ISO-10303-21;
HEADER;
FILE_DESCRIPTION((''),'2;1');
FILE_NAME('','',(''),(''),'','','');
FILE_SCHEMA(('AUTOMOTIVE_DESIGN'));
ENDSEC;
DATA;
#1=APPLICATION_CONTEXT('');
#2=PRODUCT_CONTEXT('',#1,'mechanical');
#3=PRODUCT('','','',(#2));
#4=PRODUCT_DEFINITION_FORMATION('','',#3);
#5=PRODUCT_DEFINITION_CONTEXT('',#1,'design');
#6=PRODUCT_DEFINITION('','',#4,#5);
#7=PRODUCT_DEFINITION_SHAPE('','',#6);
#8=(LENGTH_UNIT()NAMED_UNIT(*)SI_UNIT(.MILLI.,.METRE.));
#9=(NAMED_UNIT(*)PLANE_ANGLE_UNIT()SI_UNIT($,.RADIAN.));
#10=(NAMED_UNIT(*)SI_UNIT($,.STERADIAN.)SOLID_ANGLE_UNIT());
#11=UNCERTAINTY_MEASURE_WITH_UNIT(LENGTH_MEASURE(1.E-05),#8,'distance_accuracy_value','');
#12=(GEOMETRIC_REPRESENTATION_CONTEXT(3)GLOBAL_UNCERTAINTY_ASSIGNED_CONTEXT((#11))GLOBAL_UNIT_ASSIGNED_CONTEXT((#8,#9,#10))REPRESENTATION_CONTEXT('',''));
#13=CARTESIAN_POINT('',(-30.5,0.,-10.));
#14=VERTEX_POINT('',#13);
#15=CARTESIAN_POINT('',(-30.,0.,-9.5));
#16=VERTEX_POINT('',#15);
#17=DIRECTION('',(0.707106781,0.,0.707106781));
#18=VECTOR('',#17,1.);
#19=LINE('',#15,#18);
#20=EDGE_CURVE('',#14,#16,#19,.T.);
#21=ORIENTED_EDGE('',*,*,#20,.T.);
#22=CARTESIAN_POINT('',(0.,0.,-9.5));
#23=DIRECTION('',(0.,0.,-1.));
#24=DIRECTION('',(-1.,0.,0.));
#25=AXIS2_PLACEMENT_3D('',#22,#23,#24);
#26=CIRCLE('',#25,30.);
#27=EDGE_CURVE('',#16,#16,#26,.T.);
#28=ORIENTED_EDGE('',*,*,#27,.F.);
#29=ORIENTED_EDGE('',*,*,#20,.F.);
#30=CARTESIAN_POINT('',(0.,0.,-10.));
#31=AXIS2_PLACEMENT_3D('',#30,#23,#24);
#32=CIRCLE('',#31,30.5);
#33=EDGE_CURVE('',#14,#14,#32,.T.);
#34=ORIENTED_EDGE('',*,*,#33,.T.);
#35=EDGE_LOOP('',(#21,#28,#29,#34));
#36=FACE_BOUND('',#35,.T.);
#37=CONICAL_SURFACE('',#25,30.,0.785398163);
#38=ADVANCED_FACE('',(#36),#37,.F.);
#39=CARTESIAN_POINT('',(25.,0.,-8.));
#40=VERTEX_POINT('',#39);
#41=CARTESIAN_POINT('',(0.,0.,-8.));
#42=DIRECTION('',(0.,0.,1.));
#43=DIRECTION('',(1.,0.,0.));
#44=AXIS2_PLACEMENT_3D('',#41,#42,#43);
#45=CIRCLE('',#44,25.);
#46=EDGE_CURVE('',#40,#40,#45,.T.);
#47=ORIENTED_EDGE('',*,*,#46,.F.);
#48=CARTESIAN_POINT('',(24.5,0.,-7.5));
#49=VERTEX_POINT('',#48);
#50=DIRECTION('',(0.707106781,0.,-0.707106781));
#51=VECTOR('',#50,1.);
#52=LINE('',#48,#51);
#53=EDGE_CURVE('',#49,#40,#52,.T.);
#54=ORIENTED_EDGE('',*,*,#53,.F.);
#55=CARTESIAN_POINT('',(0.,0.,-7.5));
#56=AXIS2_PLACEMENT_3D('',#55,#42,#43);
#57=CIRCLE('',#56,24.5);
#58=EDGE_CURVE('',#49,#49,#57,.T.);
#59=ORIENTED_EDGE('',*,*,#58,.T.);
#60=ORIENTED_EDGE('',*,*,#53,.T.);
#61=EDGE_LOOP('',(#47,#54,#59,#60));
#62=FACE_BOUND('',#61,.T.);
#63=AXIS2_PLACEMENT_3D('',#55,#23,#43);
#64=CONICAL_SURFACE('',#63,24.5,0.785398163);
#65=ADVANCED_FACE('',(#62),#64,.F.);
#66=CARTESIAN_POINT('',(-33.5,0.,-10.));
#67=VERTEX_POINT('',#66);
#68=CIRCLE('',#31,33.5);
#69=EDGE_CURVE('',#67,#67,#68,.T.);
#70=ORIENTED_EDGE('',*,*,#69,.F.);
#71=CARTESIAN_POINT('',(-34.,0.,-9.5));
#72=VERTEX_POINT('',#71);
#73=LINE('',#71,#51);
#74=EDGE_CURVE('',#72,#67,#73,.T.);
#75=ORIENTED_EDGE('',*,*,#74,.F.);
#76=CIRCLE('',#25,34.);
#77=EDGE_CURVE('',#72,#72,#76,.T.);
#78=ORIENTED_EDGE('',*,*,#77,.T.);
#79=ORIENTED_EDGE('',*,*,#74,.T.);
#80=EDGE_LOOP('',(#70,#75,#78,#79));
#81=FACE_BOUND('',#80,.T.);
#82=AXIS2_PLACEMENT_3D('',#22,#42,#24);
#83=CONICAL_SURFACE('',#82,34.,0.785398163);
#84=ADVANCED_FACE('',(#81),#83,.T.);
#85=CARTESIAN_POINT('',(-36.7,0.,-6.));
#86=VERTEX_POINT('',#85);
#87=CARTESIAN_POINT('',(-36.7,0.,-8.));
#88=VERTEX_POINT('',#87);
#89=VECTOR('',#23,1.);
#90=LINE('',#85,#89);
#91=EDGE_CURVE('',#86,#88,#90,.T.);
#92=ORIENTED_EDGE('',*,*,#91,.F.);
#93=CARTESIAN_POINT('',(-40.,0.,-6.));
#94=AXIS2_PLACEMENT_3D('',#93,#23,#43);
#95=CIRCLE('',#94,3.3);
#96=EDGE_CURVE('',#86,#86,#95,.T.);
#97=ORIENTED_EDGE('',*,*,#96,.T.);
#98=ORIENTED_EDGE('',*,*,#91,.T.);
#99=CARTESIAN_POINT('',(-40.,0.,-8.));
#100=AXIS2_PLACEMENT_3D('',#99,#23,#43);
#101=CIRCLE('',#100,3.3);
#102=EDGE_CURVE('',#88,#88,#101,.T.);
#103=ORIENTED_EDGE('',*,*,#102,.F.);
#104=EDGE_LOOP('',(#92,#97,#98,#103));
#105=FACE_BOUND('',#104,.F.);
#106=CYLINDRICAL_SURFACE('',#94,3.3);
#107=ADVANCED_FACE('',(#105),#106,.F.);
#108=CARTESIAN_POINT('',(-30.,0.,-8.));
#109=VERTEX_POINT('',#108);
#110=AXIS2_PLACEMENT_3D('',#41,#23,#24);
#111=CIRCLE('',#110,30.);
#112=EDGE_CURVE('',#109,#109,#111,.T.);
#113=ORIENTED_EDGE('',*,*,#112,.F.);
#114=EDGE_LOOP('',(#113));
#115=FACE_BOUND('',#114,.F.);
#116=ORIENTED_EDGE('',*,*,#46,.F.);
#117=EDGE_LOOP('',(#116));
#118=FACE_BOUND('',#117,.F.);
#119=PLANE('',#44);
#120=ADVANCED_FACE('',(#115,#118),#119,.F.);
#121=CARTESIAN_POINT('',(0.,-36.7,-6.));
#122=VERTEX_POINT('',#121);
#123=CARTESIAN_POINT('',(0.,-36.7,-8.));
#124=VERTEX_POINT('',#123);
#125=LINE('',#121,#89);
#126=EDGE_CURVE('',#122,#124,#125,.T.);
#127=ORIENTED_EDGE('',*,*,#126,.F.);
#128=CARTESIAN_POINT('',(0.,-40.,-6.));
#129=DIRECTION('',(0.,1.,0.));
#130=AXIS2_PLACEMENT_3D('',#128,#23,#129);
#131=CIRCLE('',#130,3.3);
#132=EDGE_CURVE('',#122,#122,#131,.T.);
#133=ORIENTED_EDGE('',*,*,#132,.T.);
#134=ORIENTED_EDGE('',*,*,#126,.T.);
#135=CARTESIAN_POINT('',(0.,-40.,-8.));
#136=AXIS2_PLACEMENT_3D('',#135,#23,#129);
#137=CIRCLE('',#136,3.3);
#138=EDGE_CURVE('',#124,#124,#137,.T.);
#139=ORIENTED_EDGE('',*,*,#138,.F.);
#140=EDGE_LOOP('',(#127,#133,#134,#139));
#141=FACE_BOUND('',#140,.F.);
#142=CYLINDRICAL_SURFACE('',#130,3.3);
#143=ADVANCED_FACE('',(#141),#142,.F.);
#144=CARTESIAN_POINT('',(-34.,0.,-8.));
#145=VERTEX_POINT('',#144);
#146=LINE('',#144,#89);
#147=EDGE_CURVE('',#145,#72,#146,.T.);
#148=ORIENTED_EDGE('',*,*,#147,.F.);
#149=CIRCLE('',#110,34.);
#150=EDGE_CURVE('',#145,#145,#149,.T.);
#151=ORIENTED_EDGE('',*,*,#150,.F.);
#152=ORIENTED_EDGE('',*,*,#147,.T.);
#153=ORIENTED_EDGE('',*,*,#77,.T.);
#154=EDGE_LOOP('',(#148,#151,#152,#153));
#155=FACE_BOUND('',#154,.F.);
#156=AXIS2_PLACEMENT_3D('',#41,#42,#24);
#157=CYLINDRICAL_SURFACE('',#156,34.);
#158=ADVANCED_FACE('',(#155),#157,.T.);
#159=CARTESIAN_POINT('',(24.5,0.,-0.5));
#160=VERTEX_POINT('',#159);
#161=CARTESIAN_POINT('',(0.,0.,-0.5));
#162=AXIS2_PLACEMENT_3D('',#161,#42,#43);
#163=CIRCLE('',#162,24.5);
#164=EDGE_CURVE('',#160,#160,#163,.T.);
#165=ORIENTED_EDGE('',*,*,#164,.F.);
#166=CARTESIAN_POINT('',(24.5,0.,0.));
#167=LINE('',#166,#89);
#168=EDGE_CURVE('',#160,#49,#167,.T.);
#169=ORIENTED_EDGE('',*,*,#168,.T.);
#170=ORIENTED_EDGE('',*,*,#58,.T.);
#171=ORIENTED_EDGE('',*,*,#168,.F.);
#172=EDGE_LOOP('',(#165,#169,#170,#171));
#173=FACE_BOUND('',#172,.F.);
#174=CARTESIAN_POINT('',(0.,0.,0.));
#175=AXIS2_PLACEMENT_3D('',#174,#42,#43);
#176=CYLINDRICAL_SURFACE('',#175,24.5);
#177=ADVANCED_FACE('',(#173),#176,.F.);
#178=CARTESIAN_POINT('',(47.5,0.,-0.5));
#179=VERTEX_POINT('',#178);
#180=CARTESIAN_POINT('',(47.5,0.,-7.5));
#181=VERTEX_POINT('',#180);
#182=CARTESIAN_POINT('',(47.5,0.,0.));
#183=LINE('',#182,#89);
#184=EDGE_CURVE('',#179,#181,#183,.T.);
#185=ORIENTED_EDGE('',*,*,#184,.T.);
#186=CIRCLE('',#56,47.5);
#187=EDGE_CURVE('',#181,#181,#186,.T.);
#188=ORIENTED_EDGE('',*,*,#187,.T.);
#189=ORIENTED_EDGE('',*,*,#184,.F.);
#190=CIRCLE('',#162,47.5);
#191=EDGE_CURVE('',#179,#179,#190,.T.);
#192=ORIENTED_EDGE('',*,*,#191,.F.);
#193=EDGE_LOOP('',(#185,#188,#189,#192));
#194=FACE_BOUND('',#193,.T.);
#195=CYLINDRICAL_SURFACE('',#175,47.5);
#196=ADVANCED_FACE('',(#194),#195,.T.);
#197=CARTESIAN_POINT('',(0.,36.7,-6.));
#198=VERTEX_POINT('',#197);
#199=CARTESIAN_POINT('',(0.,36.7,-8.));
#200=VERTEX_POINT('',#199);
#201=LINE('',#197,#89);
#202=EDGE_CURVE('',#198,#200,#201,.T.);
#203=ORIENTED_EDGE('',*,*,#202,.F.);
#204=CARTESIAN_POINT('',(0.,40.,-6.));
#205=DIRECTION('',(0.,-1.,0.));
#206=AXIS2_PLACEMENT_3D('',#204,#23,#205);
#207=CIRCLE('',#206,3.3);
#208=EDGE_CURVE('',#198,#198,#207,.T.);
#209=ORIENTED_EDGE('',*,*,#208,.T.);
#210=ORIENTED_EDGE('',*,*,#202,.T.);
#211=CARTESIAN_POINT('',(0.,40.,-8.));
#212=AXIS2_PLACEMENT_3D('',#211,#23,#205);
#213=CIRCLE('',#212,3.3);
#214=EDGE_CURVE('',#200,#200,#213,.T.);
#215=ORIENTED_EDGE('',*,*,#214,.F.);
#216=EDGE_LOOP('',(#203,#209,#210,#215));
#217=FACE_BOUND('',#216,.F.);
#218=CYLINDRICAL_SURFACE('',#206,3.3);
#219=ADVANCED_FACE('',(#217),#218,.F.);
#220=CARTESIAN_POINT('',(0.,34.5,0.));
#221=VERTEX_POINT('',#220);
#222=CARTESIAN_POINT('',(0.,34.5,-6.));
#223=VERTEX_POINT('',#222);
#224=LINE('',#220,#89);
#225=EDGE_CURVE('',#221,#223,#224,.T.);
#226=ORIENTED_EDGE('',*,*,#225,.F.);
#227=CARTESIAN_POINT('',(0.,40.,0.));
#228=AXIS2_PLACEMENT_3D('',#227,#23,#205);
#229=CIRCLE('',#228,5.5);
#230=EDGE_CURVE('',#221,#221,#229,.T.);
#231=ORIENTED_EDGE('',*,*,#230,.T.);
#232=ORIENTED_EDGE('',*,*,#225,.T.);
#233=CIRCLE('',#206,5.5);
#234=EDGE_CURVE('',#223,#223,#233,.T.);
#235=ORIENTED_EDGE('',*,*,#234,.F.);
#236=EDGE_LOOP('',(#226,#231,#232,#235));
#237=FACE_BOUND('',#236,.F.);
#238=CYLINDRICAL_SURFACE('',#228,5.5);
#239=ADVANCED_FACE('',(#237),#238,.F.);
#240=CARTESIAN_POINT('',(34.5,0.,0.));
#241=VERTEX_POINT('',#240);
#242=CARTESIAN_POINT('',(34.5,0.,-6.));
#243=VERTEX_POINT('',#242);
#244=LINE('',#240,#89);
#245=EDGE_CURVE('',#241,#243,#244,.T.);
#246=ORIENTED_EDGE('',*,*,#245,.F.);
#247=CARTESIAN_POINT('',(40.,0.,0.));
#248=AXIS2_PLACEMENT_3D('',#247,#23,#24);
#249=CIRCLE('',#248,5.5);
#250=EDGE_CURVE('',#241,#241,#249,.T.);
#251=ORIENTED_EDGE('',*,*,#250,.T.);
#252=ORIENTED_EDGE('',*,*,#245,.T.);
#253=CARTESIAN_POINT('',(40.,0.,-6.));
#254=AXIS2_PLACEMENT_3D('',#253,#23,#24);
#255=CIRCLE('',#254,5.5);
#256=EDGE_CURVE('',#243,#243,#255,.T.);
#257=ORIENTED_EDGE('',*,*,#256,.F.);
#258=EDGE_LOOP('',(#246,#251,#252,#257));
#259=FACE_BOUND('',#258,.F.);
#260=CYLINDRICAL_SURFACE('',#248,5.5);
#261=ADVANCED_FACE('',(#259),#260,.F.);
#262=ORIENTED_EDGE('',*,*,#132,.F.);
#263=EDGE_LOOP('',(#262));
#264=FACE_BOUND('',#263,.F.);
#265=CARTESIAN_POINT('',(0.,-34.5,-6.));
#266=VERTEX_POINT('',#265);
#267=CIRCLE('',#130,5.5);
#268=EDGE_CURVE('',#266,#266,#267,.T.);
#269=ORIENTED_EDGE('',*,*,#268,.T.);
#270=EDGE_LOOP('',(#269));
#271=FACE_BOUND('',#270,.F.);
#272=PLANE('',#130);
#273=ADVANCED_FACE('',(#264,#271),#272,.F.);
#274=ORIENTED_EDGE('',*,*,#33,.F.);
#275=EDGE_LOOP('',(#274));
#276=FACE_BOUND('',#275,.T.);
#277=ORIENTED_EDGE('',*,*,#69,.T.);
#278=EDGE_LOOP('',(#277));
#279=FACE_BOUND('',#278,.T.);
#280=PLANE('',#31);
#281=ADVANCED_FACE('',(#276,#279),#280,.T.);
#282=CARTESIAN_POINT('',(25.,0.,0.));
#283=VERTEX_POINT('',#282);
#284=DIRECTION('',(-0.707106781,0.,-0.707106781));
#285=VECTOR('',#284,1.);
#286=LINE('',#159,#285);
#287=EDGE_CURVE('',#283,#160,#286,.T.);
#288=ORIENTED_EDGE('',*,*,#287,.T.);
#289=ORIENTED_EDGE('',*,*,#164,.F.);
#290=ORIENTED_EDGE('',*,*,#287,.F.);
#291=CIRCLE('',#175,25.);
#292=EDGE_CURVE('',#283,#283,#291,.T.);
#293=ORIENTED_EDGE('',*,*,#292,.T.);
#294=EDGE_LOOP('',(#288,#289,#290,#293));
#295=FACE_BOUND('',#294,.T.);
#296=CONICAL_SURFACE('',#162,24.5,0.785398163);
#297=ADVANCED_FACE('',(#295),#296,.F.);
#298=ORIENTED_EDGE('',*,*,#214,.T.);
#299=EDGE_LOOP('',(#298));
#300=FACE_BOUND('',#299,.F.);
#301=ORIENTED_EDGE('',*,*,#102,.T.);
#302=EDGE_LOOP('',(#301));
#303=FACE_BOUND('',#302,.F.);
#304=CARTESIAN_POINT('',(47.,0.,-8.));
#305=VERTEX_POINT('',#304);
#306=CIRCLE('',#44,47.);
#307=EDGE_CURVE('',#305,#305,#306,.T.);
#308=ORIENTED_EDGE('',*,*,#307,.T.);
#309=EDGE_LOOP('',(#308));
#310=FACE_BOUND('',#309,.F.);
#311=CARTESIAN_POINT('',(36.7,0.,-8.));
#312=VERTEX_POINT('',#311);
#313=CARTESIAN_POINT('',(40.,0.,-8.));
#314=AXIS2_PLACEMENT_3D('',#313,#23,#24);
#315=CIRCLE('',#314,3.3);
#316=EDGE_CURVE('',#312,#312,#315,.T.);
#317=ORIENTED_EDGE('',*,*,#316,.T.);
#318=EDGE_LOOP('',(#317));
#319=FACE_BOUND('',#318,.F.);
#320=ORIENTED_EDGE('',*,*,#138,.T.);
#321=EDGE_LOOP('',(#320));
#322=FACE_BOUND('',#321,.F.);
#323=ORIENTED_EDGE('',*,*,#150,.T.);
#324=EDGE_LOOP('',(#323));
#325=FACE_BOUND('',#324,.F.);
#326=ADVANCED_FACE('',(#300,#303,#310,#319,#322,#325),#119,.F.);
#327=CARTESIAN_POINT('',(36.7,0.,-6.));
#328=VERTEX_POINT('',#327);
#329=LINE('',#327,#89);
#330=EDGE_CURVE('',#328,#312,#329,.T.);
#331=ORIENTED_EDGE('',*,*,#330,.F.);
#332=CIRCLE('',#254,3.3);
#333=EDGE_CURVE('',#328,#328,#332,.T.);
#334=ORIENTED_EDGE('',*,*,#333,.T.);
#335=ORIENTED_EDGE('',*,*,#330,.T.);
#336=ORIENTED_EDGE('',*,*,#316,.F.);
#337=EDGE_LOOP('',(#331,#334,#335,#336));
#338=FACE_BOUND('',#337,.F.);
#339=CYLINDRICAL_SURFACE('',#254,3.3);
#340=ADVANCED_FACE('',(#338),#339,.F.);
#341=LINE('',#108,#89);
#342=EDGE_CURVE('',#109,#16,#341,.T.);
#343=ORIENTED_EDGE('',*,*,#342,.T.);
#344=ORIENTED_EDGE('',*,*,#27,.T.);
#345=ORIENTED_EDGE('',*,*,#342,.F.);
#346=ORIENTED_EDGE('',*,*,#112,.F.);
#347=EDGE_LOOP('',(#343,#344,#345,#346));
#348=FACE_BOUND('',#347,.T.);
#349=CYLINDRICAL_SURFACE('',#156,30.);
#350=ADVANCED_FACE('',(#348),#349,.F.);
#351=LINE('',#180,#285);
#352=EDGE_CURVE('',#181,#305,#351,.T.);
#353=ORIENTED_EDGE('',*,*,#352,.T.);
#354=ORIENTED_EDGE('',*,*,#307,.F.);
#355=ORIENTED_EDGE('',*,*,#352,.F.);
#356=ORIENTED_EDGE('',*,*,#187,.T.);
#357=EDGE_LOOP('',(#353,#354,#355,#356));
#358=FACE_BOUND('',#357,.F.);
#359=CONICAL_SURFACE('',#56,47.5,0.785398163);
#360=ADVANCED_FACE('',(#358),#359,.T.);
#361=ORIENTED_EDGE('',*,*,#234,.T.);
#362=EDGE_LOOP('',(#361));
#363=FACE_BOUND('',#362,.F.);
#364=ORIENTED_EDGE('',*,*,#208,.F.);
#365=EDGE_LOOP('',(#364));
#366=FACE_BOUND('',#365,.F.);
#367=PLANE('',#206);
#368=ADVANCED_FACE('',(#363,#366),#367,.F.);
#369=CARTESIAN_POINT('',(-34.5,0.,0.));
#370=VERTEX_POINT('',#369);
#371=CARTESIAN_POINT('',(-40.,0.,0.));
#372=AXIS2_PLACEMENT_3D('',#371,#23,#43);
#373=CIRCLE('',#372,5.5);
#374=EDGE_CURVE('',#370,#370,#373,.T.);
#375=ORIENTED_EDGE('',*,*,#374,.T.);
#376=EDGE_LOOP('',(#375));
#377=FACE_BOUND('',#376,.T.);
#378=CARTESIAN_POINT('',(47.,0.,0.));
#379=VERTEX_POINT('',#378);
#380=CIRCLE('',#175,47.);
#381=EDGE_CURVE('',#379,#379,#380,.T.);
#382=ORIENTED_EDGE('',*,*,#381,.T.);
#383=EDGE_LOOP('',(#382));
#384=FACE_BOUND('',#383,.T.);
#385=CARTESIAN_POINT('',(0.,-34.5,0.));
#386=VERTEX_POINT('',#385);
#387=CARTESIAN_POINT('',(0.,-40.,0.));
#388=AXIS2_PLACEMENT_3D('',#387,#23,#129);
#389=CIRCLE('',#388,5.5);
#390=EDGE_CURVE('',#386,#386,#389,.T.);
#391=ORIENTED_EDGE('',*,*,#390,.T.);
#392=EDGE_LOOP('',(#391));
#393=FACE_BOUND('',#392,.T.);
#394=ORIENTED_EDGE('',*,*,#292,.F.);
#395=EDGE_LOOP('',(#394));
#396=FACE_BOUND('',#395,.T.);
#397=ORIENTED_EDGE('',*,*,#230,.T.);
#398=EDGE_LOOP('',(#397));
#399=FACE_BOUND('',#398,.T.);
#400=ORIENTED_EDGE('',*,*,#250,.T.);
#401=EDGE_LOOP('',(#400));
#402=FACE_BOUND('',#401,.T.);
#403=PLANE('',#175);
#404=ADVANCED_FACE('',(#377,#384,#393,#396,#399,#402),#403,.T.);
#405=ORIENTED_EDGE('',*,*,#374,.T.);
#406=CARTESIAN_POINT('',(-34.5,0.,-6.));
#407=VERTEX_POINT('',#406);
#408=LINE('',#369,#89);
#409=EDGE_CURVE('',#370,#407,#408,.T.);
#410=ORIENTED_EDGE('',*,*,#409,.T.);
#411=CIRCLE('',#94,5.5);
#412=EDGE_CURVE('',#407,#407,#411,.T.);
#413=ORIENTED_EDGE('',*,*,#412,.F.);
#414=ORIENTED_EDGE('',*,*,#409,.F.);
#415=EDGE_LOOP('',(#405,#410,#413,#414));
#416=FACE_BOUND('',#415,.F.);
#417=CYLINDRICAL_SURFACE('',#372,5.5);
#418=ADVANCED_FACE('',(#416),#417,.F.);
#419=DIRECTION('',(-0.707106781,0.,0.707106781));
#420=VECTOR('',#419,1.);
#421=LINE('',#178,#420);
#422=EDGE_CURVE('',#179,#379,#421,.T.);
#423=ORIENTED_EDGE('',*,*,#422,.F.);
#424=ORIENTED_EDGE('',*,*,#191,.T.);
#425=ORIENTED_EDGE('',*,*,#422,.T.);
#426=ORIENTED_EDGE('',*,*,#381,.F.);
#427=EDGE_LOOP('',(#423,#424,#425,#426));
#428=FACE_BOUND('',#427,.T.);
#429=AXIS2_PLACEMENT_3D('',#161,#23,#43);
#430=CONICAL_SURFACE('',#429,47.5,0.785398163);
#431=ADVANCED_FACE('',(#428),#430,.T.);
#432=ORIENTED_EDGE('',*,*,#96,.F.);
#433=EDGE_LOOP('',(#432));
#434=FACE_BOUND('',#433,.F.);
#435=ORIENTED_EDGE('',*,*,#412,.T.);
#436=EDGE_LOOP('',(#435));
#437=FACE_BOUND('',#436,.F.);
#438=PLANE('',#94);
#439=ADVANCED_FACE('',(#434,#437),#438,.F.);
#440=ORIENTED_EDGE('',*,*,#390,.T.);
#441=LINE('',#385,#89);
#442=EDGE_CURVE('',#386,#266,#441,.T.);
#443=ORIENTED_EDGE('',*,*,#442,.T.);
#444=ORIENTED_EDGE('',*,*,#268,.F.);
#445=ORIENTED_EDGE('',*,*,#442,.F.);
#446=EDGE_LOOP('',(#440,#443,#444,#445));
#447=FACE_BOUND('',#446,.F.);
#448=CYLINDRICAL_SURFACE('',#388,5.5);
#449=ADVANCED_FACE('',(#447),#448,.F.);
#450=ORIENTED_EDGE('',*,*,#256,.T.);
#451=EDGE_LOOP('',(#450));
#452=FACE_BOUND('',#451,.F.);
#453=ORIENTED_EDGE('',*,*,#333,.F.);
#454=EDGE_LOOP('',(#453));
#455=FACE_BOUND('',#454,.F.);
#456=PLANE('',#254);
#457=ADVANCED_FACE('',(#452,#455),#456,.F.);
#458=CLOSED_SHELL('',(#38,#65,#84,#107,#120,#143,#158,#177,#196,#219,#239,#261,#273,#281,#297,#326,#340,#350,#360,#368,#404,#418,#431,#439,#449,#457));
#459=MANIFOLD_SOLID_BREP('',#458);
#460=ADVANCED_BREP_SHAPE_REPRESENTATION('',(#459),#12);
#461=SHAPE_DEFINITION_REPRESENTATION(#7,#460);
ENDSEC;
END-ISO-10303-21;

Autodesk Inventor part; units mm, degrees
ref_plane "YZ Plane" through (0, 0, 0) normal (1, 0, 0) x (0, 1, 0)
ref_plane "XZ Plane" through (0, 0, 0) normal (0, 1, 0) x (-1, 0, 0)
ref_plane "XY Plane" through (0, 0, 0) normal (0, 0, 1) x (1, 0, 0)
sketch "Esboço1" plane through (0, 0, 0) normal (0, 0, 1) x (1, 0, 0)
  circle A0 centre (0, 0) radius 24.5
  circle A1 centre (0, 0) radius 47.5
  dimension "d0" = 49
  dimension "d1" = 95
extrude "Extrusão1" add sketch "Esboço1" against normal blind 8
sketch "Esboço2" plane through (0, 0, -8) normal (0, 0, -1) x (-1, 0, 0)
  circle A0 centre (0, 0) radius 24.5 projected
  circle A1 centre (0, 0) radius 30
  circle A2 centre (0, 0) radius 34
  dimension "d4" = 60
  dimension "d5" = 68
extrude "Extrusão2" add sketch "Esboço2" along normal blind 2 contours A2
sketch "Esboço3" plane through (0, 0, 0) normal (0, 0, 1) x (1, 0, 0)
  circle A0 centre (0, 0) radius 47.5 projected
  point P0 (0, 40)
  dimension "d8" = 40
hole "Furo1" at (0, 40, 0) direction (0, 0, -1) diameter 6.6 depth 10 tip angle 118 counterbore diameter 11 counterbore depth 6
pattern_circular "Padrão circular1" count 4 over 360 about axis through (0, 0, -10) along (0, 0, 1) of "Furo1"
chamfer "Chanfro1" distance 0.5 angle 45 6 edges at (-24.5, 0, 0) (-24.5, 0, -8) (-47.5, 0, 0) (-47.5, 0, -8) (34, 0, -10) (30, 0, -10)
